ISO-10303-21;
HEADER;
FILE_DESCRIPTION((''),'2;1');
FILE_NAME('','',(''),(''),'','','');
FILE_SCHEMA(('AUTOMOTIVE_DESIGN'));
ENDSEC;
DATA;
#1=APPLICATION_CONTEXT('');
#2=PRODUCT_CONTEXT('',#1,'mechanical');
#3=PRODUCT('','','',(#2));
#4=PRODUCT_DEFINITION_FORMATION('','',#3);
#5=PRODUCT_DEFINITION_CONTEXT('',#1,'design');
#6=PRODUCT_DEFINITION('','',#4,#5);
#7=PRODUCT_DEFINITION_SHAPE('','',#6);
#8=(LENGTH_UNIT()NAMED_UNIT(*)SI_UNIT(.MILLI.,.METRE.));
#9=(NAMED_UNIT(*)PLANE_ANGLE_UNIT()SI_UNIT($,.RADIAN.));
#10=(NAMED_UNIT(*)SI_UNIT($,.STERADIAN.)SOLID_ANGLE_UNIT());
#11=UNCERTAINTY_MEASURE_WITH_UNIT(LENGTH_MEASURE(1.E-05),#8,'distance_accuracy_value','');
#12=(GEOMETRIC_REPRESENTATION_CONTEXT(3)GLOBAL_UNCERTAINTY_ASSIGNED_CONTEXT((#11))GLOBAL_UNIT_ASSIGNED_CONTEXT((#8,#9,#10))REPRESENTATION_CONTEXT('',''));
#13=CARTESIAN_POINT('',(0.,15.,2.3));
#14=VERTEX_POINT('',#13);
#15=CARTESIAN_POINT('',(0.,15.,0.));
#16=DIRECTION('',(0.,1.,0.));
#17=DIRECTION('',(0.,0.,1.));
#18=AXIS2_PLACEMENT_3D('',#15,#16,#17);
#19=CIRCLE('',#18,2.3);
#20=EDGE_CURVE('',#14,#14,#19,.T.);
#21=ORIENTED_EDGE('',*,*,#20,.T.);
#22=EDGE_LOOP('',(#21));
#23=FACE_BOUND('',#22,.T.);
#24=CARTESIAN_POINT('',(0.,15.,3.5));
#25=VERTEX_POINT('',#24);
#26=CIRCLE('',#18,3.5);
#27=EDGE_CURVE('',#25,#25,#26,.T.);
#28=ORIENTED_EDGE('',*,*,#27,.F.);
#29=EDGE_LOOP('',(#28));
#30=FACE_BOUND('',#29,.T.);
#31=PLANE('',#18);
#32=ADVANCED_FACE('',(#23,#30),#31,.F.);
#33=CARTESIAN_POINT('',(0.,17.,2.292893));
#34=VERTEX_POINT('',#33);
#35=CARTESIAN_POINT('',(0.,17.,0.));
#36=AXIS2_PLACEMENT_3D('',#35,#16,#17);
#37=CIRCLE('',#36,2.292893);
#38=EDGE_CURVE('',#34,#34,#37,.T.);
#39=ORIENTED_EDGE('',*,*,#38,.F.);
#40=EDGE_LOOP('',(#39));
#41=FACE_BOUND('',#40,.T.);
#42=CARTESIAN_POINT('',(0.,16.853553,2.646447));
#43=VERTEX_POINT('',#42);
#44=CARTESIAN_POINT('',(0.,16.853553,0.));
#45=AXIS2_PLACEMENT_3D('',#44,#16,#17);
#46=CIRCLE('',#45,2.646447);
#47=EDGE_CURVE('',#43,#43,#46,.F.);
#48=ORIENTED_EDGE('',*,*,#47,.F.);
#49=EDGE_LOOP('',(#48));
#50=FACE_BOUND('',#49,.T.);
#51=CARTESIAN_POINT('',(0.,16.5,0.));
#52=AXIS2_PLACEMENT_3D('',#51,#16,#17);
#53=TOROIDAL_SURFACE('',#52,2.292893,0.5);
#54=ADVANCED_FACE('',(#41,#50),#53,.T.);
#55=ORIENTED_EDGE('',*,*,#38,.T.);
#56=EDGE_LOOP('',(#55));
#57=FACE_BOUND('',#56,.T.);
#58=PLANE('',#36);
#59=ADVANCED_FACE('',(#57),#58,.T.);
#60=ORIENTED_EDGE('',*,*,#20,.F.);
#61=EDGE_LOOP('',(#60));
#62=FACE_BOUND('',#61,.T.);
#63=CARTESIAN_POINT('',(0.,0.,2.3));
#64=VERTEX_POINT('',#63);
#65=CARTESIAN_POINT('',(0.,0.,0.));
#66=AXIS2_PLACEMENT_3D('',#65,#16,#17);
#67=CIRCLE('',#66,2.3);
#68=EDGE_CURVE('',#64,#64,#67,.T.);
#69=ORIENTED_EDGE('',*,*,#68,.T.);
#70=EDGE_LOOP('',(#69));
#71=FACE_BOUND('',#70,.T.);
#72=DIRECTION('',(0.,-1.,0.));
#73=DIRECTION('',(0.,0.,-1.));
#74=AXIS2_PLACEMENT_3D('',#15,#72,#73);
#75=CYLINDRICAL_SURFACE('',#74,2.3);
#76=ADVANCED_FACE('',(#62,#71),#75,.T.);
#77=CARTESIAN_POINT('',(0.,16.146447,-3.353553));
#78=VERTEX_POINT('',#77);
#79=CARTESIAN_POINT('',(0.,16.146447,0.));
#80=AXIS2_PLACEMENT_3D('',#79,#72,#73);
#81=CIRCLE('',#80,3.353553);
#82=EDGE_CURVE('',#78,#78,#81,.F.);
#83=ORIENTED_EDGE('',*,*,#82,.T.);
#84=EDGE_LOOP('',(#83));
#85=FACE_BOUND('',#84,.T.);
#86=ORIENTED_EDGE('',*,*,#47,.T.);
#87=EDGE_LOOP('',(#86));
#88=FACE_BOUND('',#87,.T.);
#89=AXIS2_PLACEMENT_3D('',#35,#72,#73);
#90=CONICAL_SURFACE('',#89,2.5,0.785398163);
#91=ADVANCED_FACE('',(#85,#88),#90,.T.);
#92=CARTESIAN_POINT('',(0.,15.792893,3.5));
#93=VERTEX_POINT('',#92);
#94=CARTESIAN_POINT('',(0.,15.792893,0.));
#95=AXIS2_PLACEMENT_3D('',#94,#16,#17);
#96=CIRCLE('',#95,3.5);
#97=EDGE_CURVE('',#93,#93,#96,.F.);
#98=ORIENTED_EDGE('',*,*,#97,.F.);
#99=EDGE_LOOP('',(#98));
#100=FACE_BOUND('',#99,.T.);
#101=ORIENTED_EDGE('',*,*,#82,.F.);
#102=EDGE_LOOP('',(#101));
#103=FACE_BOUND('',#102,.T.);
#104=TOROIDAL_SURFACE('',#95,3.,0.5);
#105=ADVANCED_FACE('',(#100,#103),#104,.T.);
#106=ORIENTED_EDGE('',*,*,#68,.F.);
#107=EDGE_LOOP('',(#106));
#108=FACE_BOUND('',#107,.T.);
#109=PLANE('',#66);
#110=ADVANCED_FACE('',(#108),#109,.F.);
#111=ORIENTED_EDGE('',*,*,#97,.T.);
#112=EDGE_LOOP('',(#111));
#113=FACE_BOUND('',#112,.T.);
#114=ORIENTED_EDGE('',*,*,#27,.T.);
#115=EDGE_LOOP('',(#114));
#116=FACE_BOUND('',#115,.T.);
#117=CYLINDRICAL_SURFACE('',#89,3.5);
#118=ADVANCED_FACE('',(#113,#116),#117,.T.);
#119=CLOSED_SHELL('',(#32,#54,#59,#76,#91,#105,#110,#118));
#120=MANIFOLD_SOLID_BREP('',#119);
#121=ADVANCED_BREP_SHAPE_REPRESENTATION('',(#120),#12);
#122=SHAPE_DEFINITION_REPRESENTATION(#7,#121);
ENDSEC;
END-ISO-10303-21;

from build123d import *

# Parameters (mm, degrees)
SKETCH1_R           = 2.3
BOSS_EXTRUDE1_DEPTH = 15
SKETCH2_R           = 3.5
BOSS_EXTRUDE2_DEPTH = 2
CHAMFER1_SIZE       = 1
FILLET1_R           = 0.5


with BuildPart() as part:
    # Sketch1 → Boss-Extrude1 (new body)
    with BuildSketch(Plane(origin=(0, 0, 0), x_dir=(1, 0, 0), z_dir=(0, 1, 0))):
        with Locations(Location((0, 0, 0), (0, 0, 270))):
            Circle(SKETCH1_R)
    extrude(amount=BOSS_EXTRUDE1_DEPTH)

    # Sketch2 → Boss-Extrude2 (add)
    with BuildSketch(Plane(origin=(0, 15, 0), x_dir=(1, 0, 0), z_dir=(0, 1, 0))):
        with Locations(Location((0, 0, 0), (0, 0, 270))):
            Circle(SKETCH2_R)
    extrude(amount=BOSS_EXTRUDE2_DEPTH)

    # Chamfer1
    chamfer1_edges = [part.edges().sort_by_distance(p)[0] for p in [
        (0, 17, -3.5),
    ]]
    chamfer(chamfer1_edges, length=CHAMFER1_SIZE)

    # Fillet1
    fillet1_edges = [part.edges().sort_by_distance(p)[0] for p in [
        (0, 17, -2.5),
        (0, 16, -3.5),
    ]]
    fillet(fillet1_edges, radius=FILLET1_R)


solid = part.part
